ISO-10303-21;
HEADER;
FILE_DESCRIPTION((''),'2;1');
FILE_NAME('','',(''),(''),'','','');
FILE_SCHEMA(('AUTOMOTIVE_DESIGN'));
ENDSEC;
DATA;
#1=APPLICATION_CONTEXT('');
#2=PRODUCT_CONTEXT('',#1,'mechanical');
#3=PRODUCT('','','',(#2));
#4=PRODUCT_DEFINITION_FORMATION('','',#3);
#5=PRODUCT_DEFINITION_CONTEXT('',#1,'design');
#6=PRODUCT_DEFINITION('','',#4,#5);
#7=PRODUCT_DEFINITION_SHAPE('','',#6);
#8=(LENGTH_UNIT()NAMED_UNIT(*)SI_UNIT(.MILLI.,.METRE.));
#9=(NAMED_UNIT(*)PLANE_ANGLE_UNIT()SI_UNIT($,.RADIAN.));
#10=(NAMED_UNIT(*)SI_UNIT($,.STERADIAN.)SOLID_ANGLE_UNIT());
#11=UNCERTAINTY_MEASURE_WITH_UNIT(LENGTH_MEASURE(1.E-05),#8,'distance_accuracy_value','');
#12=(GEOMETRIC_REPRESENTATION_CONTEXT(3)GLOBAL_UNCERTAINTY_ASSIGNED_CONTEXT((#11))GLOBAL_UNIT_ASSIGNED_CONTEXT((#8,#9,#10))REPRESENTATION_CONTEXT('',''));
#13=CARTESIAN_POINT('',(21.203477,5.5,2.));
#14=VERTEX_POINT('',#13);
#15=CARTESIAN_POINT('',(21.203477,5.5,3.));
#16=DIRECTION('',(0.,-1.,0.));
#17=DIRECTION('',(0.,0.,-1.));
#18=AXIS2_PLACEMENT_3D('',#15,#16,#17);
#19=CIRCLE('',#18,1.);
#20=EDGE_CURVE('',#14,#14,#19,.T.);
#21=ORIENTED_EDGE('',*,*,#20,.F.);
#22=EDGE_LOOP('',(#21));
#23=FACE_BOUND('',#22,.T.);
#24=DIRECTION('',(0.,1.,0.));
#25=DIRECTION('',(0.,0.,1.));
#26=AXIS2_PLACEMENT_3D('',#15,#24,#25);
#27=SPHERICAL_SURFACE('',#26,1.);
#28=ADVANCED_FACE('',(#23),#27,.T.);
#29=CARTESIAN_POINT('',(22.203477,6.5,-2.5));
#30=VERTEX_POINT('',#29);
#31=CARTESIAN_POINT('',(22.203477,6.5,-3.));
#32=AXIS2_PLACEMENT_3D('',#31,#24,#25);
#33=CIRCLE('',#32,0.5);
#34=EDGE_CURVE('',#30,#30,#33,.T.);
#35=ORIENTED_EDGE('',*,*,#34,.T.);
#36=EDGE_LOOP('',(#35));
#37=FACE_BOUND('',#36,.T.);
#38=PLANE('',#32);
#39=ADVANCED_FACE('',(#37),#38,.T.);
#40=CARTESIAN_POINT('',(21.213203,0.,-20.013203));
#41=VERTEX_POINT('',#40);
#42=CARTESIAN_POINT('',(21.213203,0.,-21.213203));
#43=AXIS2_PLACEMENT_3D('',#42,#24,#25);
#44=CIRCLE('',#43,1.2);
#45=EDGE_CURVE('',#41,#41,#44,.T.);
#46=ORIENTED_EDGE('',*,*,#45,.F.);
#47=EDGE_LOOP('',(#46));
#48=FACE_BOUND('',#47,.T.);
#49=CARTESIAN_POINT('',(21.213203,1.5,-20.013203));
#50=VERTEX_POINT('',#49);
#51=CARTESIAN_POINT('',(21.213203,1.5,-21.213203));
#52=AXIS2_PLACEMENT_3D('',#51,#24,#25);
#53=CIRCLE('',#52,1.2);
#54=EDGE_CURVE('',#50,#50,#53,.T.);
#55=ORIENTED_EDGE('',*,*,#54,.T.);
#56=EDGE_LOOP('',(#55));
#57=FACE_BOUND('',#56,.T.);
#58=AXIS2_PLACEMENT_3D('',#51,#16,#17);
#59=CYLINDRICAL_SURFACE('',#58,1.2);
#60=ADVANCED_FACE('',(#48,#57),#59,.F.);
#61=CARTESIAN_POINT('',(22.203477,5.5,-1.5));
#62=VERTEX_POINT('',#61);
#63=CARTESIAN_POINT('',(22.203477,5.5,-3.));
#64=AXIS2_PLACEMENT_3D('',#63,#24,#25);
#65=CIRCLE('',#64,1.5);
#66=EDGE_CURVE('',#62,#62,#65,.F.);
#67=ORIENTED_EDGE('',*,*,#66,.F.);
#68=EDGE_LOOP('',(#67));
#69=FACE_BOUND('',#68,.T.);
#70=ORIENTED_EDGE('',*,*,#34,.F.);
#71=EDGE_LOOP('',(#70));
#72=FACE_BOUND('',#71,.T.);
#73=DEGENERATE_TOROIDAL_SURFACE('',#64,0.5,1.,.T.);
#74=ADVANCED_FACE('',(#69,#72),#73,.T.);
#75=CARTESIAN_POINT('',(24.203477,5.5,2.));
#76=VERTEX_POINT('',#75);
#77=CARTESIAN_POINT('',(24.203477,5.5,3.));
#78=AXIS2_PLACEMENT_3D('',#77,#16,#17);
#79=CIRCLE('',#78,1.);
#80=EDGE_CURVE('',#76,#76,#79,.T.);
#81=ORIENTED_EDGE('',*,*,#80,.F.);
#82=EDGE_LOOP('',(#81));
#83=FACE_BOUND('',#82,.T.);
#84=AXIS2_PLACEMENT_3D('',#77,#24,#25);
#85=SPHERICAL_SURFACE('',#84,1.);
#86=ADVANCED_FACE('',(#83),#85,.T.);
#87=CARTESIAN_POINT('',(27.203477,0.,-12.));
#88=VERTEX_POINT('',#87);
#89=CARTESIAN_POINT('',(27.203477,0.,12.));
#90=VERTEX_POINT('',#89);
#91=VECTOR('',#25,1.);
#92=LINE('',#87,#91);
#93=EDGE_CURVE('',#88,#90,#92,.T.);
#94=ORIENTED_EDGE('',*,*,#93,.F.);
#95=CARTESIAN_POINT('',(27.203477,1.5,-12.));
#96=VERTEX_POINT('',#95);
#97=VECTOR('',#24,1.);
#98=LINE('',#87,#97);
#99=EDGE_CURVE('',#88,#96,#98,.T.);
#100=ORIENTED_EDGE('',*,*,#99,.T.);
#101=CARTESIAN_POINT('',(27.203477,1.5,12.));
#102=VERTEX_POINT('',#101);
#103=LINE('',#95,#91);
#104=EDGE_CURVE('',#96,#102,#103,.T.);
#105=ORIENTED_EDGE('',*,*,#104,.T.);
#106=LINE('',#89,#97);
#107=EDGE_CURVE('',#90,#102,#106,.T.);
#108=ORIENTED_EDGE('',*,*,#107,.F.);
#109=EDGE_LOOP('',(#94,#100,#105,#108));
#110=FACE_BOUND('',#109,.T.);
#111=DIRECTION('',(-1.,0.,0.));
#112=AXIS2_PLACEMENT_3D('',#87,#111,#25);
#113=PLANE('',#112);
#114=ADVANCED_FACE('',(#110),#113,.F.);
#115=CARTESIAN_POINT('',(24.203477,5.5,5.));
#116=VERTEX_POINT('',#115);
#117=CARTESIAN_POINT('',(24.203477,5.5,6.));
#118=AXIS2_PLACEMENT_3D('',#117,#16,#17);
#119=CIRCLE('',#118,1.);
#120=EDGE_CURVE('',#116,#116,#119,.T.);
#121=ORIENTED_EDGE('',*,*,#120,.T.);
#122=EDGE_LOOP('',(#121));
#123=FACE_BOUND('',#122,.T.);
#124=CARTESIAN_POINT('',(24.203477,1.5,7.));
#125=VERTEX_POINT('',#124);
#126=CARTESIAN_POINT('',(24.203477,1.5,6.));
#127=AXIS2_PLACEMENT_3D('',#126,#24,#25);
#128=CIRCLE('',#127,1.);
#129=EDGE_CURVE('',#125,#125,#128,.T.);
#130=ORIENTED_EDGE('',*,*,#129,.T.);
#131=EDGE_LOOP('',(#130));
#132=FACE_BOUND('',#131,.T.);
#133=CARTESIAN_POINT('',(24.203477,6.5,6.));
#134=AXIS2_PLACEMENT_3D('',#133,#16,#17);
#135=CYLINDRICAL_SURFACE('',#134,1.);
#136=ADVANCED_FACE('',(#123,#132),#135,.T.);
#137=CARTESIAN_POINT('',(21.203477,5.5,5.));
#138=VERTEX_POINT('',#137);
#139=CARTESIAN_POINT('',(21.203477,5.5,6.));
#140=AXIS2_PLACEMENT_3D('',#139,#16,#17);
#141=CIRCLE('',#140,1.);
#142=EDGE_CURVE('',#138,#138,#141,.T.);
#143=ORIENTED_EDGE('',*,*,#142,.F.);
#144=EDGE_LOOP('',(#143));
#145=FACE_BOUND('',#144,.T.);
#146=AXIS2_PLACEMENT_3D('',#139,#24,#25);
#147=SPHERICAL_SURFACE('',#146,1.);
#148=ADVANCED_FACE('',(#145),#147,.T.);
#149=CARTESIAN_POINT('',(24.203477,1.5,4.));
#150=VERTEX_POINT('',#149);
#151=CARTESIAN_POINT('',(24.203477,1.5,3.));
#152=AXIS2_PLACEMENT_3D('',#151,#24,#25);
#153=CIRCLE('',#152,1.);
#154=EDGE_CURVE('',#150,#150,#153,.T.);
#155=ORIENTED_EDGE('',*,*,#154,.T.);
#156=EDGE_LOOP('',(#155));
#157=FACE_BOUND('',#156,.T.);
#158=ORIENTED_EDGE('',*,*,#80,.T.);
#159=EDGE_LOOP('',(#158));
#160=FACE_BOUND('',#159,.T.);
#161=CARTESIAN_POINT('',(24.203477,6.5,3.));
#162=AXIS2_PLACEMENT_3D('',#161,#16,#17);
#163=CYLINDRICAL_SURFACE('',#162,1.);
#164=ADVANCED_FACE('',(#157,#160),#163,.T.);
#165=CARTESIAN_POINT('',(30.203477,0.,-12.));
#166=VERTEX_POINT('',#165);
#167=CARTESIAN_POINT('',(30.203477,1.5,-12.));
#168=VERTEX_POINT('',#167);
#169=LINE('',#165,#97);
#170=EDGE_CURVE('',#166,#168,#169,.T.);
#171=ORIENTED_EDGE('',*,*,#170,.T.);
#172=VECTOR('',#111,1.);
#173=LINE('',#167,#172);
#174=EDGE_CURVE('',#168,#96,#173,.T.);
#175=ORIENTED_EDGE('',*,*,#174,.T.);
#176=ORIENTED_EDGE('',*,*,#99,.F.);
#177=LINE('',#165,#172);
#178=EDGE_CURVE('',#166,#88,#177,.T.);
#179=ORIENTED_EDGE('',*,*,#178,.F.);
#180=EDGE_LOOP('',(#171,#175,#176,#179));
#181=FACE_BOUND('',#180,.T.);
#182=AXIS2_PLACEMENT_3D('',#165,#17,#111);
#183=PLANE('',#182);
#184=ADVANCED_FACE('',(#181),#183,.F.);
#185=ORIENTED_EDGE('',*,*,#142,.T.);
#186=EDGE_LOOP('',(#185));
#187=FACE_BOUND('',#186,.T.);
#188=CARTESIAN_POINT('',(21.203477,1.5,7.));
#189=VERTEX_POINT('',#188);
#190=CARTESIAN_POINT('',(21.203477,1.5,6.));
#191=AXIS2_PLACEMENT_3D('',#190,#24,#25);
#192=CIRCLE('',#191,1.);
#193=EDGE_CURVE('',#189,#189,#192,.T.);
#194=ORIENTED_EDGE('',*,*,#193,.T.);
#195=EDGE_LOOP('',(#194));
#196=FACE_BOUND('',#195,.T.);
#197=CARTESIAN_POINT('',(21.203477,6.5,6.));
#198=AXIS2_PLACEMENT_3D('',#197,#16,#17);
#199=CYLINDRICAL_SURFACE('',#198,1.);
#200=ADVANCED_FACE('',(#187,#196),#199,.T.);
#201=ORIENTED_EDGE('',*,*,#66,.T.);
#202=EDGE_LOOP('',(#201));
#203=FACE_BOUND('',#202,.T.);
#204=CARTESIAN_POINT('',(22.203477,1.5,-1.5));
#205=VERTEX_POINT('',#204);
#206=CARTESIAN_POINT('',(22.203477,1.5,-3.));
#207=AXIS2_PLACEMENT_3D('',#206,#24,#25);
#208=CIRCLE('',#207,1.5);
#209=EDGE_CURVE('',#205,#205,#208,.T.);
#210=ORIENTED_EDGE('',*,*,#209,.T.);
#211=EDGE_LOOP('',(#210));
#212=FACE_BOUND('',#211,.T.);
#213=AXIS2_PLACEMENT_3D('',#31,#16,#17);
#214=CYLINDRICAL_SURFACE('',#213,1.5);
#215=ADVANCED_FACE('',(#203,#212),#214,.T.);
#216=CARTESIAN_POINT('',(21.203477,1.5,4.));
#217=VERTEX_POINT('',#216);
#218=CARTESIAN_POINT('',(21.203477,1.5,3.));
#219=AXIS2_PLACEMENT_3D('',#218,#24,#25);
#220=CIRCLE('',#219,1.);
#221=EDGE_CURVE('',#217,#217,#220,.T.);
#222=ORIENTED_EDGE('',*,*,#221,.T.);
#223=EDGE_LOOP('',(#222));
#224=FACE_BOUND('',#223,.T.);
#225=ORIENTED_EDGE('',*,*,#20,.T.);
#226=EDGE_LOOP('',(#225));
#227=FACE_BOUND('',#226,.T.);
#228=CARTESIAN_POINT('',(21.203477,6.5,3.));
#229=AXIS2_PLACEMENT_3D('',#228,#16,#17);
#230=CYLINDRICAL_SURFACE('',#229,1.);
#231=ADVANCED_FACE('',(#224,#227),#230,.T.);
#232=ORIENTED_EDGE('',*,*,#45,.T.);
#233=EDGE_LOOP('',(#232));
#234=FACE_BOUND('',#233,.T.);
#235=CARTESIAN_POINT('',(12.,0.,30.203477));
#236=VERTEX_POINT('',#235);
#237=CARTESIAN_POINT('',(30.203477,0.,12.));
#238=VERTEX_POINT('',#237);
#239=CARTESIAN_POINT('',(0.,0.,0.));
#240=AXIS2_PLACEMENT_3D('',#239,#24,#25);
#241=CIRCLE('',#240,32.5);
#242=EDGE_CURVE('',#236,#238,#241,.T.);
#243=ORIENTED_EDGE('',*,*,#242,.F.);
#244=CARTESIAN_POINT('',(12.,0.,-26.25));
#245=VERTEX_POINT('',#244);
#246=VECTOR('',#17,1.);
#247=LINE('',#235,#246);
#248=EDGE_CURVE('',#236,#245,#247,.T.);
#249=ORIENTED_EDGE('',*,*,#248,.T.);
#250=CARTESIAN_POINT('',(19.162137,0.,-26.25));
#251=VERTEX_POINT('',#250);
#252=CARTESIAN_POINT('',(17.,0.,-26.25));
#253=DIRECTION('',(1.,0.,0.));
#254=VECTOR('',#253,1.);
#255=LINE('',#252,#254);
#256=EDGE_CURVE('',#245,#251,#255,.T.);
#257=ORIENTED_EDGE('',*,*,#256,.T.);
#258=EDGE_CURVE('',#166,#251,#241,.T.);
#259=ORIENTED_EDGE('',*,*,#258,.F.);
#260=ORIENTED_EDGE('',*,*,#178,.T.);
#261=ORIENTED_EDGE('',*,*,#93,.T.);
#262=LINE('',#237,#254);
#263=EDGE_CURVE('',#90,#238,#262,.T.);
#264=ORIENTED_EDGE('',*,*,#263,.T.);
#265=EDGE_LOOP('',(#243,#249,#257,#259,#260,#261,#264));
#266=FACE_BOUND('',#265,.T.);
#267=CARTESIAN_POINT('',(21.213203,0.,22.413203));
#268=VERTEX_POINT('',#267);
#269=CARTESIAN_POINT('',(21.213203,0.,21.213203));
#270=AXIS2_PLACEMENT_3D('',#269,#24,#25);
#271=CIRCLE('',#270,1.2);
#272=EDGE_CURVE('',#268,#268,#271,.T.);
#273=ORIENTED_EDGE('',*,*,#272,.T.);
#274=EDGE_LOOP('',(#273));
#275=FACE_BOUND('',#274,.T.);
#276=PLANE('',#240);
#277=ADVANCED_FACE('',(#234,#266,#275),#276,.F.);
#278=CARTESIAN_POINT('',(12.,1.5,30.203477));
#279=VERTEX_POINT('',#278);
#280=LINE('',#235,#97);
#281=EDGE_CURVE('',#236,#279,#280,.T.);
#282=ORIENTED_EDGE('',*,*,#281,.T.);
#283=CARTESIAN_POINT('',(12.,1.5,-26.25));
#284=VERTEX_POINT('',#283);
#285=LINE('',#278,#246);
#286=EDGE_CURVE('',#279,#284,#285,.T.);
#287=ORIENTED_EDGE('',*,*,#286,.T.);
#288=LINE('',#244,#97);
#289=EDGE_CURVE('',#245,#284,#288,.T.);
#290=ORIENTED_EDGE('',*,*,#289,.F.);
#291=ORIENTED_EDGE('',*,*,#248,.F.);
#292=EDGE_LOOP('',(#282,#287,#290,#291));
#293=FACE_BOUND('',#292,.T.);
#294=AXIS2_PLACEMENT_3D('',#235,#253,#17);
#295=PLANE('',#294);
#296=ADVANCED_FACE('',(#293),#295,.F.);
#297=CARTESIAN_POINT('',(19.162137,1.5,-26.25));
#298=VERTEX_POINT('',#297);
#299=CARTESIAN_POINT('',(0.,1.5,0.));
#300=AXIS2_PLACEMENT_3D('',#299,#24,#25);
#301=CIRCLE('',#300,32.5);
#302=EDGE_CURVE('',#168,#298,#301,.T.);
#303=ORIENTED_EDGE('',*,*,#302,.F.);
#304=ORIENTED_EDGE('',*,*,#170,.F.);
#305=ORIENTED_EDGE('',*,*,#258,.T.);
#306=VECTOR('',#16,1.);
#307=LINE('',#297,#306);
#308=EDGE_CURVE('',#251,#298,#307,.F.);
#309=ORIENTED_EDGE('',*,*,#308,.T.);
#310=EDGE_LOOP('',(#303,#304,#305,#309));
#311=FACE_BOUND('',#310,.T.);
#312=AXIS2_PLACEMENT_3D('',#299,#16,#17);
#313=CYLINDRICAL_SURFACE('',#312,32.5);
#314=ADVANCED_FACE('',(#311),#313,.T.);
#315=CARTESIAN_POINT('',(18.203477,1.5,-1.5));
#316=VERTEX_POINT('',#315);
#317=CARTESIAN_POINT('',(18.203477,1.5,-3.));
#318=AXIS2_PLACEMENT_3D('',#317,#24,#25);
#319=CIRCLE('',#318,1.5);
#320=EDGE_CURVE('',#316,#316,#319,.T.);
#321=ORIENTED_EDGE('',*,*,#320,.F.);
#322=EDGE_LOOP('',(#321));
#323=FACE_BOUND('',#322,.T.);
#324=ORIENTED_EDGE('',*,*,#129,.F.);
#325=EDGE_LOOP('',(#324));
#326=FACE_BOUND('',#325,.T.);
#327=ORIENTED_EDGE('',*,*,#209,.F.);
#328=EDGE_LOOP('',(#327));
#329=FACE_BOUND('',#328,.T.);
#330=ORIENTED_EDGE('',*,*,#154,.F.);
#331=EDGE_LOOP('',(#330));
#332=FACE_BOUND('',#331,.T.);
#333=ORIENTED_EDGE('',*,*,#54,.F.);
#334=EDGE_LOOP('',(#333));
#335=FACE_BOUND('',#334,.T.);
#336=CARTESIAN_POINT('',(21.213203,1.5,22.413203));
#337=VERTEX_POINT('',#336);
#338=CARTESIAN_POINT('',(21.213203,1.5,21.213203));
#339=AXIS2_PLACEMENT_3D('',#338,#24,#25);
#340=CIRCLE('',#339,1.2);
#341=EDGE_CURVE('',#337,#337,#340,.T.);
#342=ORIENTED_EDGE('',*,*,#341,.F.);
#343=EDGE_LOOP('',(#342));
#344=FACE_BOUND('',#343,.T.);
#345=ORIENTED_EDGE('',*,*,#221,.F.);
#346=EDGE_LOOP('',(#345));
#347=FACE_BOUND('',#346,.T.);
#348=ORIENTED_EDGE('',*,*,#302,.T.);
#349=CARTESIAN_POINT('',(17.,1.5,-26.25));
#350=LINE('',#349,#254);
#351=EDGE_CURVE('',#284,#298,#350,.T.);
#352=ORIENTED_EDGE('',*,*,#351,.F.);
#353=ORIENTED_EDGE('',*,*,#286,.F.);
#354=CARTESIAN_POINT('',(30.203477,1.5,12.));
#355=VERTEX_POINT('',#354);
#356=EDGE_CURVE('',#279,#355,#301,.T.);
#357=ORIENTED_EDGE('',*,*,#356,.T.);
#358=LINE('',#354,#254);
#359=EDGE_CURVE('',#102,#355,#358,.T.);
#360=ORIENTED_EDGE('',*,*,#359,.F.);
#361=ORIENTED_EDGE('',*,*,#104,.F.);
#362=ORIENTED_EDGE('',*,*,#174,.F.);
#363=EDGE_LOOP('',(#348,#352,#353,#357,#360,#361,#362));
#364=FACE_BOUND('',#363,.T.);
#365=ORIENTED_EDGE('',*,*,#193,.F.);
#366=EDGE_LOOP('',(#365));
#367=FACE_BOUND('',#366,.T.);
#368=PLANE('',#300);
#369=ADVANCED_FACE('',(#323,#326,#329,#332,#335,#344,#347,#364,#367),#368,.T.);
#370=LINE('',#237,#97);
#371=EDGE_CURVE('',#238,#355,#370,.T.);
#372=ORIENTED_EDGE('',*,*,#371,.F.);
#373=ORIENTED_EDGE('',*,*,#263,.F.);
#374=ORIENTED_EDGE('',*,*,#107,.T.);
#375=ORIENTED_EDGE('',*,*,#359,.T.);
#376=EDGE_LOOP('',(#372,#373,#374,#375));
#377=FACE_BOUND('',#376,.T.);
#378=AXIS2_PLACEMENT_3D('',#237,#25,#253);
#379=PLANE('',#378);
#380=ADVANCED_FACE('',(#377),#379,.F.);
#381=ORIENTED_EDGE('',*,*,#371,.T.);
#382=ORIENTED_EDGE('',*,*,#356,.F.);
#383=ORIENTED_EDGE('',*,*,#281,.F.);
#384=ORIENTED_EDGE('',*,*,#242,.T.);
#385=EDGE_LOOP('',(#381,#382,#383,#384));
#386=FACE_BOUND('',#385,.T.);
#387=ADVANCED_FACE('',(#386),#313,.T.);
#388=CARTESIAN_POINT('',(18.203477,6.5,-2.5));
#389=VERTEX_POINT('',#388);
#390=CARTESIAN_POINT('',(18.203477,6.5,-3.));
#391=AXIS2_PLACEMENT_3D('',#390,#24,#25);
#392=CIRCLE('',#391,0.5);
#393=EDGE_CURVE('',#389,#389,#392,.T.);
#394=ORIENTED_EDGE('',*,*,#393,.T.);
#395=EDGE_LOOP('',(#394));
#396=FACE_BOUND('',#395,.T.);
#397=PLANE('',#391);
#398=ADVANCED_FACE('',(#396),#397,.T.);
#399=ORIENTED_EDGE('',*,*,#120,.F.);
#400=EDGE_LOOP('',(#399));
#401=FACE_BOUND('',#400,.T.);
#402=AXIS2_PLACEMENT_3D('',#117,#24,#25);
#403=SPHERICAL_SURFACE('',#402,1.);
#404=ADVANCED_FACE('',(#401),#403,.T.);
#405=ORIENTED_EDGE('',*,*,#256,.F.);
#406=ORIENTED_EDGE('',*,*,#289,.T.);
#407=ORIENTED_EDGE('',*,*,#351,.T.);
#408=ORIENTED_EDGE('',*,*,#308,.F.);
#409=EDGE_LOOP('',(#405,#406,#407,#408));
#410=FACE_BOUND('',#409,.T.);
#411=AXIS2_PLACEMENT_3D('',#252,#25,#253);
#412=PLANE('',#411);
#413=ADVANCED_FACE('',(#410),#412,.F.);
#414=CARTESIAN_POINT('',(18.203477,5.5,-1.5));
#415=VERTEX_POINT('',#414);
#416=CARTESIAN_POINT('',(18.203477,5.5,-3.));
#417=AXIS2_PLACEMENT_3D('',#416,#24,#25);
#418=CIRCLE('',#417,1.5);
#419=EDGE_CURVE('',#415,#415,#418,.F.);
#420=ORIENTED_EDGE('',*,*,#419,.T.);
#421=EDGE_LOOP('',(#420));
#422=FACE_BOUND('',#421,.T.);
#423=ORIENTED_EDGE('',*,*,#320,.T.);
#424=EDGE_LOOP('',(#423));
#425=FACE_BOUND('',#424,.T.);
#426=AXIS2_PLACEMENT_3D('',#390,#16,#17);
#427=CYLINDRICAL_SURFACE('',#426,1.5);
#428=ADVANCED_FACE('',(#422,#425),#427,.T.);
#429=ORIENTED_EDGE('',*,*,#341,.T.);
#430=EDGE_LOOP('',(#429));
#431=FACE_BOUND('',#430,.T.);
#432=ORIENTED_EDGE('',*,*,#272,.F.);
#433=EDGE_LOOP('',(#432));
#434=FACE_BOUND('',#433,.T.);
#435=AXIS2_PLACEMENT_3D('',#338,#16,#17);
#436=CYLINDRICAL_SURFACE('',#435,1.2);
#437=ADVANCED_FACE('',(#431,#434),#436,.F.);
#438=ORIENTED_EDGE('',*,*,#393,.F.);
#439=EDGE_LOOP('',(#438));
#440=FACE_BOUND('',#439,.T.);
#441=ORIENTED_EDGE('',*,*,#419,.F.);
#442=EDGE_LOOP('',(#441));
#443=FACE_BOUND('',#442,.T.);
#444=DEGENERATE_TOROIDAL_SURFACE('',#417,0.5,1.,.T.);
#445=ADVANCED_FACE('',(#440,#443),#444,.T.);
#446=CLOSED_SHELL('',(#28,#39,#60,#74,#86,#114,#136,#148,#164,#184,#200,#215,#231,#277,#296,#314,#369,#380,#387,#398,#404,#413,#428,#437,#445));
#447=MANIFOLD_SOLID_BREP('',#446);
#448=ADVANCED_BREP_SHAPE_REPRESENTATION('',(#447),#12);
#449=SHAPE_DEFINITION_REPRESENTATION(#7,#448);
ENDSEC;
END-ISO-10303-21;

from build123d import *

# Parameters (mm, degrees)
SKETCH_1_R          = 32.5
SKETCH_1_R_2        = 1.2
EXTRUDE_1_DEPTH     = 1.5
CUT_EXTRUDE_1_DEPTH = 46.986411036
CUT_EXTRUDE_2_DEPTH = 43.74049602
SKETCH_4_R          = 1.5
SKETCH_4_R_2        = 1
EXTRUDE_2_DEPTH     = 5
FILLET_1_R          = 1
CUT_EXTRUDE_3_DEPTH = 5


with BuildPart() as part:
    # 草图1 → 凸台-拉伸1 (new body)
    with BuildSketch(Plane(origin=(0, 0, 0), x_dir=(1, 0, 0), z_dir=(0, 1, 0))):
        with Locations(Location((0, 0, 0), (0, 0, 270))):
            Circle(SKETCH_1_R)
        with Locations(Location((21.213203436, 21.213203436, 0), (0, 0, 270))):
            Circle(SKETCH_1_R_2, mode=Mode.SUBTRACT)
        with Locations(Location((21.213203436, -21.213203436, 0), (0, 0, 270))):
            Circle(SKETCH_1_R_2, mode=Mode.SUBTRACT)
        with Locations(Location((-21.213203436, -21.213203436, 0), (0, 0, 270))):
            Circle(SKETCH_1_R_2, mode=Mode.SUBTRACT)
        with Locations(Location((-21.213203436, 21.213203436, 0), (0, 0, 270))):
            Circle(SKETCH_1_R_2, mode=Mode.SUBTRACT)
    extrude(amount=EXTRUDE_1_DEPTH)

    # 草图2 → 切除-拉伸1 (cut, through all)
    with BuildSketch(Plane(origin=(0, 1.5, 0), x_dir=(1, 0, 0), z_dir=(0, 1, 0))):
        with BuildLine():
            Line((30.203476621, 12), (27.203476621, 12))
            Line((27.203476621, 12), (27.203476621, -12))
            Line((27.203476621, -12), (30.203476621, -12))
            ThreePointArc((30.203476621, -12), (32.5, 0), (30.203476621, 12))
        make_face()
        with BuildLine():
            Line((12, -27.203476621), (-12, -27.203476621))
            Line((-12, -27.203476621), (-12, -30.203476621))
            ThreePointArc((-12, -30.203476621), (0, -32.5), (12, -30.203476621))
            Line((12, -30.203476621), (12, -27.203476621))
        make_face()
        with BuildLine():
            Line((-27.203476621, -12), (-27.203476621, 12))
            Line((-27.203476621, 12), (-30.203476621, 12))
            ThreePointArc((-30.203476621, 12), (-32.5, 0), (-30.203476621, -12))
            Line((-30.203476621, -12), (-27.203476621, -12))
        make_face()
        with BuildLine():
            Line((-12, 27.203476621), (12, 27.203476621))
            Line((12, 27.203476621), (12, 30.203476621))
            ThreePointArc((12, 30.203476621), (0, 32.5), (-12, 30.203476621))
            Line((-12, 30.203476621), (-12, 27.203476621))
        make_face()
    extrude(amount=-CUT_EXTRUDE_1_DEPTH, mode=Mode.SUBTRACT)

    # 草图3 → 切除-拉伸2 (cut, through all)
    with BuildSketch(Plane(origin=(0, 1.5, 0), x_dir=(1, 0, 0), z_dir=(0, 1, 0))):
        Polygon((17, 26.25), (-17, 26.25), (-27.149655647, 26.25), (-14.240374978, 46.745445694), (28.149411973, 26.25), align=None)
    extrude(amount=-CUT_EXTRUDE_2_DEPTH, mode=Mode.SUBTRACT)

    # 草图4 → 凸台-拉伸2 (add)
    with BuildSketch(Plane(origin=(0, 1.5, 0), x_dir=(1, 0, 0), z_dir=(0, 1, 0))):
        with Locations(Location((22.203476621, 3, 0), (0, 0, 270))):
            Circle(SKETCH_4_R)
        with Locations(Location((18.203476621, 3, 0), (0, 0, 270))):
            Circle(SKETCH_4_R)
        with Locations(Location((24.203476621, -6, 0), (0, 0, 270))):
            Circle(SKETCH_4_R_2)
        with Locations(Location((24.203476621, -3, 0), (0, 0, 270))):
            Circle(SKETCH_4_R_2)
        with Locations(Location((21.203476621, -6, 0), (0, 0, 270))):
            Circle(SKETCH_4_R_2)
        with Locations(Location((21.203476621, -3, 0), (0, 0, 270))):
            Circle(SKETCH_4_R_2)
    extrude(amount=EXTRUDE_2_DEPTH)

    # 圆角1
    fillet_1_edges = [part.edges().sort_by_distance(p)[0] for p in [
        (22.203476621, 6.5, -4.5),
        (18.203476621, 6.5, -4.5),
        (24.203476621, 6.5, 5),
        (24.203476621, 6.5, 2),
        (21.203476621, 6.5, 5),
        (21.203476621, 6.5, 2),
    ]]
    fillet(fillet_1_edges, radius=FILLET_1_R)

    # 草图5 → 切除-拉伸3 (cut)
    with BuildSketch(Plane(origin=(0, 1.5, 0), x_dir=(1, 0, 0), z_dir=(0, 1, 0))):
        Polygon((12, -30.203476621), (12, 30.744142548), (-38.712969595, 30.744142548), (-38.712969595, -27.203476621), align=None)
    extrude(amount=-CUT_EXTRUDE_3_DEPTH, mode=Mode.SUBTRACT)


with BuildPart() as body_2:
    # of the pieces the cut leaves, the one that is kept (cut_extrude_3_keep)
    add(part.part.solids().sort_by_distance((21.203476621, 5.5, 7))[0])


solid = body_2.part
